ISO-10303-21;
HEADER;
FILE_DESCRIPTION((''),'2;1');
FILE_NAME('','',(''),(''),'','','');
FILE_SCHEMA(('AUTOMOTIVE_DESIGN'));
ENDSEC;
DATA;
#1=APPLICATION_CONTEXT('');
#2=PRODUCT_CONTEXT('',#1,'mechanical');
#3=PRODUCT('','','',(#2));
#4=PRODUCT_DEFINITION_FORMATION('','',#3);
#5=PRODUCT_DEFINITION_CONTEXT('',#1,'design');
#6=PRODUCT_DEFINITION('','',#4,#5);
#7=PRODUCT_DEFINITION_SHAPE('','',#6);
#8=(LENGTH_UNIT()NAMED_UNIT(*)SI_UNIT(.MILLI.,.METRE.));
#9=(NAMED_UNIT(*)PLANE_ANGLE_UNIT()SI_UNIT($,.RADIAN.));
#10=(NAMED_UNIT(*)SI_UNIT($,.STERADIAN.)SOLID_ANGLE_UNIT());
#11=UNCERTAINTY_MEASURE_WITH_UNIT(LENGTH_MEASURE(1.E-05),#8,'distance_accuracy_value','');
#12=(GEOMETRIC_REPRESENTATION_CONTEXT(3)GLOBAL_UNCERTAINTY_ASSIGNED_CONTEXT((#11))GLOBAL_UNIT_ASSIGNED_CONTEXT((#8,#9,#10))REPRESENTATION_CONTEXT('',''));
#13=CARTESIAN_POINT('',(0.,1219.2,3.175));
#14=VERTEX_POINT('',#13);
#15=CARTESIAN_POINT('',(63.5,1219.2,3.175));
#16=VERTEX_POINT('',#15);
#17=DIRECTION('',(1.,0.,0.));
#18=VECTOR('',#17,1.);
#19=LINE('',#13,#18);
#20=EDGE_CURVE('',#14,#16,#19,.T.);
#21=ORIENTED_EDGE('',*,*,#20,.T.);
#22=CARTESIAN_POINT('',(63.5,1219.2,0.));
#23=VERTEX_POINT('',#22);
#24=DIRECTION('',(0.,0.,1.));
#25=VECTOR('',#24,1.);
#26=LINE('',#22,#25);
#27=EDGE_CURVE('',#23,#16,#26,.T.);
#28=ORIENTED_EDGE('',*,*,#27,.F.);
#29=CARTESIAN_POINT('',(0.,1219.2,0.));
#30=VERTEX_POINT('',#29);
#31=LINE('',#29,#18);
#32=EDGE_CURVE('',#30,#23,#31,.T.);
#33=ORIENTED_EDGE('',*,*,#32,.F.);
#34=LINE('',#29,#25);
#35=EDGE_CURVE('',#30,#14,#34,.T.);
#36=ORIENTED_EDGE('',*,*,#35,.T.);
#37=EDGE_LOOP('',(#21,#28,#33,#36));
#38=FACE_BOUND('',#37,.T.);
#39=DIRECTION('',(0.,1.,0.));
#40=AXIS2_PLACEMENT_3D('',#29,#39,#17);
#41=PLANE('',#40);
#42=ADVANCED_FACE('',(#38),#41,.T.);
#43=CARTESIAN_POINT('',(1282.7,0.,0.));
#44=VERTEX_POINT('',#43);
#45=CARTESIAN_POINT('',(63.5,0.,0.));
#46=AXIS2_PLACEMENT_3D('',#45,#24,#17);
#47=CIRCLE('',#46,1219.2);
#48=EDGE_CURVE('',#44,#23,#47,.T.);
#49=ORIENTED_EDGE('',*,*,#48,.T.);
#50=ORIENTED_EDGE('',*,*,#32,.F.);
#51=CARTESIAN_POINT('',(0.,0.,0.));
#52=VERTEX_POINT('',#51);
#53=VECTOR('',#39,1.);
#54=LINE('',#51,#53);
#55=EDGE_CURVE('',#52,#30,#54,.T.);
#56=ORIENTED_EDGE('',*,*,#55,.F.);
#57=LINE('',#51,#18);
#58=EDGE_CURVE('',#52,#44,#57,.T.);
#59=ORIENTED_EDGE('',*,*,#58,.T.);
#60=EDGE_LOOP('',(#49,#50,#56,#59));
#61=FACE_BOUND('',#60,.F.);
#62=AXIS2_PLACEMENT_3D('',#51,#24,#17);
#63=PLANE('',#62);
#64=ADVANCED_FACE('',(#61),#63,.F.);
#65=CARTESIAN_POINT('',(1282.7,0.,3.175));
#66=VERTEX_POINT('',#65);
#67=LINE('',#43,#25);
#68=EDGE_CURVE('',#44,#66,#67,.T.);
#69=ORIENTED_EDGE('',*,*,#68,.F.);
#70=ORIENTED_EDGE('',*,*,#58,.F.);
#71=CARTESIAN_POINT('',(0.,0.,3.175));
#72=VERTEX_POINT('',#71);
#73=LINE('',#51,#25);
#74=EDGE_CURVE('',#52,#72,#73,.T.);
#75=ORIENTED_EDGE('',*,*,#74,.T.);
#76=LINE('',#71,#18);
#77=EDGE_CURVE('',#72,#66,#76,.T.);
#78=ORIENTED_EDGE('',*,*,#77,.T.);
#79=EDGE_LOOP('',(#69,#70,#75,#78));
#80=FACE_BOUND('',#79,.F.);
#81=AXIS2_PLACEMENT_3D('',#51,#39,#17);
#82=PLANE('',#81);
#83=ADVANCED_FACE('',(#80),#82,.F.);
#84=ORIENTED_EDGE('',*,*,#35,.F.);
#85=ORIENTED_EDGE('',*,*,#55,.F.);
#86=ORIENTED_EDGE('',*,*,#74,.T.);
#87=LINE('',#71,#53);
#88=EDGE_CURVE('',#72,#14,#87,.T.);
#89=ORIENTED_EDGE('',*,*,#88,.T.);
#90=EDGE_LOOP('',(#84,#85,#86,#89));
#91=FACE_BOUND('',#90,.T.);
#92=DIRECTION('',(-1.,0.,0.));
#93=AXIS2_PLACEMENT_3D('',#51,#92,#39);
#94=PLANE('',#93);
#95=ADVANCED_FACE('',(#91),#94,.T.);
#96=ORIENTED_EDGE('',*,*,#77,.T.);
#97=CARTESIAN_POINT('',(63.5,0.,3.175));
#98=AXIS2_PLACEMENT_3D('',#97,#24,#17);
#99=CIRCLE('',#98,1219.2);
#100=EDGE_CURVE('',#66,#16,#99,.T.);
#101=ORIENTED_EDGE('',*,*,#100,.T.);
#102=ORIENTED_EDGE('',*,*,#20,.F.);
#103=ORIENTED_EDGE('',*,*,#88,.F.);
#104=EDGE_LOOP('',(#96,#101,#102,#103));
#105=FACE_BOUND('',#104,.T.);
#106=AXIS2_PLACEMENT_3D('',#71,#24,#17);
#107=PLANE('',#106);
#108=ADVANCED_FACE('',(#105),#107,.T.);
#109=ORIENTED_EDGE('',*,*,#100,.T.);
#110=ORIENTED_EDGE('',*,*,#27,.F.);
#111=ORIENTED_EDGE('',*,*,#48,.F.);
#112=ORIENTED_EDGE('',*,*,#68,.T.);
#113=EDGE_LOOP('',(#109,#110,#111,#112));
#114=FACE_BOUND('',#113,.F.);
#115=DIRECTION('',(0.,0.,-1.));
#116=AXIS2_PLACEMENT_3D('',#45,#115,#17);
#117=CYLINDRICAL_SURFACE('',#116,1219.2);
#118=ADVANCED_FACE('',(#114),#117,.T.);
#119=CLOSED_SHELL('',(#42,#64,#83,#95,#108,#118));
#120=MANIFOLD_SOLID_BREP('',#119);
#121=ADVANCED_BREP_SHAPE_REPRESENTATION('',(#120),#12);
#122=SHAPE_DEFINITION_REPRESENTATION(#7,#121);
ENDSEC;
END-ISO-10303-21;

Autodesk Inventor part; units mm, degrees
ref_plane "YZ Plane" through (0, 0, 0) normal (1, 0, 0) x (0, 1, 0)
ref_plane "XZ Plane" through (0, 0, 0) normal (0, 1, 0) x (-1, 0, 0)
ref_plane "XY Plane" through (0, 0, 0) normal (0, 0, 1) x (1, 0, 0)
sketch "Sketch1" plane through (0, 0, 0) normal (0, 0, 1) x (1, 0, 0)
  line L0 (0, 0) -> (0, 1219.2)
  line L1 (0, 0) -> (1282.7, 0)
  line L2 (0, 1219.2) -> (63.5, 1219.2)
  arc A0 (1282.7, 0) -> (63.5, 1219.2) centre (63.5, 0) ccw
  dimension "d0" = 1219.2
  dimension "d1" = 1282.7
  dimension "d5" = 63.5
  dimension "d6" = 1219.2
extrude "Extrusion1" add sketch "Sketch1" along normal blind 3.175
properties part number "GE-12050"
